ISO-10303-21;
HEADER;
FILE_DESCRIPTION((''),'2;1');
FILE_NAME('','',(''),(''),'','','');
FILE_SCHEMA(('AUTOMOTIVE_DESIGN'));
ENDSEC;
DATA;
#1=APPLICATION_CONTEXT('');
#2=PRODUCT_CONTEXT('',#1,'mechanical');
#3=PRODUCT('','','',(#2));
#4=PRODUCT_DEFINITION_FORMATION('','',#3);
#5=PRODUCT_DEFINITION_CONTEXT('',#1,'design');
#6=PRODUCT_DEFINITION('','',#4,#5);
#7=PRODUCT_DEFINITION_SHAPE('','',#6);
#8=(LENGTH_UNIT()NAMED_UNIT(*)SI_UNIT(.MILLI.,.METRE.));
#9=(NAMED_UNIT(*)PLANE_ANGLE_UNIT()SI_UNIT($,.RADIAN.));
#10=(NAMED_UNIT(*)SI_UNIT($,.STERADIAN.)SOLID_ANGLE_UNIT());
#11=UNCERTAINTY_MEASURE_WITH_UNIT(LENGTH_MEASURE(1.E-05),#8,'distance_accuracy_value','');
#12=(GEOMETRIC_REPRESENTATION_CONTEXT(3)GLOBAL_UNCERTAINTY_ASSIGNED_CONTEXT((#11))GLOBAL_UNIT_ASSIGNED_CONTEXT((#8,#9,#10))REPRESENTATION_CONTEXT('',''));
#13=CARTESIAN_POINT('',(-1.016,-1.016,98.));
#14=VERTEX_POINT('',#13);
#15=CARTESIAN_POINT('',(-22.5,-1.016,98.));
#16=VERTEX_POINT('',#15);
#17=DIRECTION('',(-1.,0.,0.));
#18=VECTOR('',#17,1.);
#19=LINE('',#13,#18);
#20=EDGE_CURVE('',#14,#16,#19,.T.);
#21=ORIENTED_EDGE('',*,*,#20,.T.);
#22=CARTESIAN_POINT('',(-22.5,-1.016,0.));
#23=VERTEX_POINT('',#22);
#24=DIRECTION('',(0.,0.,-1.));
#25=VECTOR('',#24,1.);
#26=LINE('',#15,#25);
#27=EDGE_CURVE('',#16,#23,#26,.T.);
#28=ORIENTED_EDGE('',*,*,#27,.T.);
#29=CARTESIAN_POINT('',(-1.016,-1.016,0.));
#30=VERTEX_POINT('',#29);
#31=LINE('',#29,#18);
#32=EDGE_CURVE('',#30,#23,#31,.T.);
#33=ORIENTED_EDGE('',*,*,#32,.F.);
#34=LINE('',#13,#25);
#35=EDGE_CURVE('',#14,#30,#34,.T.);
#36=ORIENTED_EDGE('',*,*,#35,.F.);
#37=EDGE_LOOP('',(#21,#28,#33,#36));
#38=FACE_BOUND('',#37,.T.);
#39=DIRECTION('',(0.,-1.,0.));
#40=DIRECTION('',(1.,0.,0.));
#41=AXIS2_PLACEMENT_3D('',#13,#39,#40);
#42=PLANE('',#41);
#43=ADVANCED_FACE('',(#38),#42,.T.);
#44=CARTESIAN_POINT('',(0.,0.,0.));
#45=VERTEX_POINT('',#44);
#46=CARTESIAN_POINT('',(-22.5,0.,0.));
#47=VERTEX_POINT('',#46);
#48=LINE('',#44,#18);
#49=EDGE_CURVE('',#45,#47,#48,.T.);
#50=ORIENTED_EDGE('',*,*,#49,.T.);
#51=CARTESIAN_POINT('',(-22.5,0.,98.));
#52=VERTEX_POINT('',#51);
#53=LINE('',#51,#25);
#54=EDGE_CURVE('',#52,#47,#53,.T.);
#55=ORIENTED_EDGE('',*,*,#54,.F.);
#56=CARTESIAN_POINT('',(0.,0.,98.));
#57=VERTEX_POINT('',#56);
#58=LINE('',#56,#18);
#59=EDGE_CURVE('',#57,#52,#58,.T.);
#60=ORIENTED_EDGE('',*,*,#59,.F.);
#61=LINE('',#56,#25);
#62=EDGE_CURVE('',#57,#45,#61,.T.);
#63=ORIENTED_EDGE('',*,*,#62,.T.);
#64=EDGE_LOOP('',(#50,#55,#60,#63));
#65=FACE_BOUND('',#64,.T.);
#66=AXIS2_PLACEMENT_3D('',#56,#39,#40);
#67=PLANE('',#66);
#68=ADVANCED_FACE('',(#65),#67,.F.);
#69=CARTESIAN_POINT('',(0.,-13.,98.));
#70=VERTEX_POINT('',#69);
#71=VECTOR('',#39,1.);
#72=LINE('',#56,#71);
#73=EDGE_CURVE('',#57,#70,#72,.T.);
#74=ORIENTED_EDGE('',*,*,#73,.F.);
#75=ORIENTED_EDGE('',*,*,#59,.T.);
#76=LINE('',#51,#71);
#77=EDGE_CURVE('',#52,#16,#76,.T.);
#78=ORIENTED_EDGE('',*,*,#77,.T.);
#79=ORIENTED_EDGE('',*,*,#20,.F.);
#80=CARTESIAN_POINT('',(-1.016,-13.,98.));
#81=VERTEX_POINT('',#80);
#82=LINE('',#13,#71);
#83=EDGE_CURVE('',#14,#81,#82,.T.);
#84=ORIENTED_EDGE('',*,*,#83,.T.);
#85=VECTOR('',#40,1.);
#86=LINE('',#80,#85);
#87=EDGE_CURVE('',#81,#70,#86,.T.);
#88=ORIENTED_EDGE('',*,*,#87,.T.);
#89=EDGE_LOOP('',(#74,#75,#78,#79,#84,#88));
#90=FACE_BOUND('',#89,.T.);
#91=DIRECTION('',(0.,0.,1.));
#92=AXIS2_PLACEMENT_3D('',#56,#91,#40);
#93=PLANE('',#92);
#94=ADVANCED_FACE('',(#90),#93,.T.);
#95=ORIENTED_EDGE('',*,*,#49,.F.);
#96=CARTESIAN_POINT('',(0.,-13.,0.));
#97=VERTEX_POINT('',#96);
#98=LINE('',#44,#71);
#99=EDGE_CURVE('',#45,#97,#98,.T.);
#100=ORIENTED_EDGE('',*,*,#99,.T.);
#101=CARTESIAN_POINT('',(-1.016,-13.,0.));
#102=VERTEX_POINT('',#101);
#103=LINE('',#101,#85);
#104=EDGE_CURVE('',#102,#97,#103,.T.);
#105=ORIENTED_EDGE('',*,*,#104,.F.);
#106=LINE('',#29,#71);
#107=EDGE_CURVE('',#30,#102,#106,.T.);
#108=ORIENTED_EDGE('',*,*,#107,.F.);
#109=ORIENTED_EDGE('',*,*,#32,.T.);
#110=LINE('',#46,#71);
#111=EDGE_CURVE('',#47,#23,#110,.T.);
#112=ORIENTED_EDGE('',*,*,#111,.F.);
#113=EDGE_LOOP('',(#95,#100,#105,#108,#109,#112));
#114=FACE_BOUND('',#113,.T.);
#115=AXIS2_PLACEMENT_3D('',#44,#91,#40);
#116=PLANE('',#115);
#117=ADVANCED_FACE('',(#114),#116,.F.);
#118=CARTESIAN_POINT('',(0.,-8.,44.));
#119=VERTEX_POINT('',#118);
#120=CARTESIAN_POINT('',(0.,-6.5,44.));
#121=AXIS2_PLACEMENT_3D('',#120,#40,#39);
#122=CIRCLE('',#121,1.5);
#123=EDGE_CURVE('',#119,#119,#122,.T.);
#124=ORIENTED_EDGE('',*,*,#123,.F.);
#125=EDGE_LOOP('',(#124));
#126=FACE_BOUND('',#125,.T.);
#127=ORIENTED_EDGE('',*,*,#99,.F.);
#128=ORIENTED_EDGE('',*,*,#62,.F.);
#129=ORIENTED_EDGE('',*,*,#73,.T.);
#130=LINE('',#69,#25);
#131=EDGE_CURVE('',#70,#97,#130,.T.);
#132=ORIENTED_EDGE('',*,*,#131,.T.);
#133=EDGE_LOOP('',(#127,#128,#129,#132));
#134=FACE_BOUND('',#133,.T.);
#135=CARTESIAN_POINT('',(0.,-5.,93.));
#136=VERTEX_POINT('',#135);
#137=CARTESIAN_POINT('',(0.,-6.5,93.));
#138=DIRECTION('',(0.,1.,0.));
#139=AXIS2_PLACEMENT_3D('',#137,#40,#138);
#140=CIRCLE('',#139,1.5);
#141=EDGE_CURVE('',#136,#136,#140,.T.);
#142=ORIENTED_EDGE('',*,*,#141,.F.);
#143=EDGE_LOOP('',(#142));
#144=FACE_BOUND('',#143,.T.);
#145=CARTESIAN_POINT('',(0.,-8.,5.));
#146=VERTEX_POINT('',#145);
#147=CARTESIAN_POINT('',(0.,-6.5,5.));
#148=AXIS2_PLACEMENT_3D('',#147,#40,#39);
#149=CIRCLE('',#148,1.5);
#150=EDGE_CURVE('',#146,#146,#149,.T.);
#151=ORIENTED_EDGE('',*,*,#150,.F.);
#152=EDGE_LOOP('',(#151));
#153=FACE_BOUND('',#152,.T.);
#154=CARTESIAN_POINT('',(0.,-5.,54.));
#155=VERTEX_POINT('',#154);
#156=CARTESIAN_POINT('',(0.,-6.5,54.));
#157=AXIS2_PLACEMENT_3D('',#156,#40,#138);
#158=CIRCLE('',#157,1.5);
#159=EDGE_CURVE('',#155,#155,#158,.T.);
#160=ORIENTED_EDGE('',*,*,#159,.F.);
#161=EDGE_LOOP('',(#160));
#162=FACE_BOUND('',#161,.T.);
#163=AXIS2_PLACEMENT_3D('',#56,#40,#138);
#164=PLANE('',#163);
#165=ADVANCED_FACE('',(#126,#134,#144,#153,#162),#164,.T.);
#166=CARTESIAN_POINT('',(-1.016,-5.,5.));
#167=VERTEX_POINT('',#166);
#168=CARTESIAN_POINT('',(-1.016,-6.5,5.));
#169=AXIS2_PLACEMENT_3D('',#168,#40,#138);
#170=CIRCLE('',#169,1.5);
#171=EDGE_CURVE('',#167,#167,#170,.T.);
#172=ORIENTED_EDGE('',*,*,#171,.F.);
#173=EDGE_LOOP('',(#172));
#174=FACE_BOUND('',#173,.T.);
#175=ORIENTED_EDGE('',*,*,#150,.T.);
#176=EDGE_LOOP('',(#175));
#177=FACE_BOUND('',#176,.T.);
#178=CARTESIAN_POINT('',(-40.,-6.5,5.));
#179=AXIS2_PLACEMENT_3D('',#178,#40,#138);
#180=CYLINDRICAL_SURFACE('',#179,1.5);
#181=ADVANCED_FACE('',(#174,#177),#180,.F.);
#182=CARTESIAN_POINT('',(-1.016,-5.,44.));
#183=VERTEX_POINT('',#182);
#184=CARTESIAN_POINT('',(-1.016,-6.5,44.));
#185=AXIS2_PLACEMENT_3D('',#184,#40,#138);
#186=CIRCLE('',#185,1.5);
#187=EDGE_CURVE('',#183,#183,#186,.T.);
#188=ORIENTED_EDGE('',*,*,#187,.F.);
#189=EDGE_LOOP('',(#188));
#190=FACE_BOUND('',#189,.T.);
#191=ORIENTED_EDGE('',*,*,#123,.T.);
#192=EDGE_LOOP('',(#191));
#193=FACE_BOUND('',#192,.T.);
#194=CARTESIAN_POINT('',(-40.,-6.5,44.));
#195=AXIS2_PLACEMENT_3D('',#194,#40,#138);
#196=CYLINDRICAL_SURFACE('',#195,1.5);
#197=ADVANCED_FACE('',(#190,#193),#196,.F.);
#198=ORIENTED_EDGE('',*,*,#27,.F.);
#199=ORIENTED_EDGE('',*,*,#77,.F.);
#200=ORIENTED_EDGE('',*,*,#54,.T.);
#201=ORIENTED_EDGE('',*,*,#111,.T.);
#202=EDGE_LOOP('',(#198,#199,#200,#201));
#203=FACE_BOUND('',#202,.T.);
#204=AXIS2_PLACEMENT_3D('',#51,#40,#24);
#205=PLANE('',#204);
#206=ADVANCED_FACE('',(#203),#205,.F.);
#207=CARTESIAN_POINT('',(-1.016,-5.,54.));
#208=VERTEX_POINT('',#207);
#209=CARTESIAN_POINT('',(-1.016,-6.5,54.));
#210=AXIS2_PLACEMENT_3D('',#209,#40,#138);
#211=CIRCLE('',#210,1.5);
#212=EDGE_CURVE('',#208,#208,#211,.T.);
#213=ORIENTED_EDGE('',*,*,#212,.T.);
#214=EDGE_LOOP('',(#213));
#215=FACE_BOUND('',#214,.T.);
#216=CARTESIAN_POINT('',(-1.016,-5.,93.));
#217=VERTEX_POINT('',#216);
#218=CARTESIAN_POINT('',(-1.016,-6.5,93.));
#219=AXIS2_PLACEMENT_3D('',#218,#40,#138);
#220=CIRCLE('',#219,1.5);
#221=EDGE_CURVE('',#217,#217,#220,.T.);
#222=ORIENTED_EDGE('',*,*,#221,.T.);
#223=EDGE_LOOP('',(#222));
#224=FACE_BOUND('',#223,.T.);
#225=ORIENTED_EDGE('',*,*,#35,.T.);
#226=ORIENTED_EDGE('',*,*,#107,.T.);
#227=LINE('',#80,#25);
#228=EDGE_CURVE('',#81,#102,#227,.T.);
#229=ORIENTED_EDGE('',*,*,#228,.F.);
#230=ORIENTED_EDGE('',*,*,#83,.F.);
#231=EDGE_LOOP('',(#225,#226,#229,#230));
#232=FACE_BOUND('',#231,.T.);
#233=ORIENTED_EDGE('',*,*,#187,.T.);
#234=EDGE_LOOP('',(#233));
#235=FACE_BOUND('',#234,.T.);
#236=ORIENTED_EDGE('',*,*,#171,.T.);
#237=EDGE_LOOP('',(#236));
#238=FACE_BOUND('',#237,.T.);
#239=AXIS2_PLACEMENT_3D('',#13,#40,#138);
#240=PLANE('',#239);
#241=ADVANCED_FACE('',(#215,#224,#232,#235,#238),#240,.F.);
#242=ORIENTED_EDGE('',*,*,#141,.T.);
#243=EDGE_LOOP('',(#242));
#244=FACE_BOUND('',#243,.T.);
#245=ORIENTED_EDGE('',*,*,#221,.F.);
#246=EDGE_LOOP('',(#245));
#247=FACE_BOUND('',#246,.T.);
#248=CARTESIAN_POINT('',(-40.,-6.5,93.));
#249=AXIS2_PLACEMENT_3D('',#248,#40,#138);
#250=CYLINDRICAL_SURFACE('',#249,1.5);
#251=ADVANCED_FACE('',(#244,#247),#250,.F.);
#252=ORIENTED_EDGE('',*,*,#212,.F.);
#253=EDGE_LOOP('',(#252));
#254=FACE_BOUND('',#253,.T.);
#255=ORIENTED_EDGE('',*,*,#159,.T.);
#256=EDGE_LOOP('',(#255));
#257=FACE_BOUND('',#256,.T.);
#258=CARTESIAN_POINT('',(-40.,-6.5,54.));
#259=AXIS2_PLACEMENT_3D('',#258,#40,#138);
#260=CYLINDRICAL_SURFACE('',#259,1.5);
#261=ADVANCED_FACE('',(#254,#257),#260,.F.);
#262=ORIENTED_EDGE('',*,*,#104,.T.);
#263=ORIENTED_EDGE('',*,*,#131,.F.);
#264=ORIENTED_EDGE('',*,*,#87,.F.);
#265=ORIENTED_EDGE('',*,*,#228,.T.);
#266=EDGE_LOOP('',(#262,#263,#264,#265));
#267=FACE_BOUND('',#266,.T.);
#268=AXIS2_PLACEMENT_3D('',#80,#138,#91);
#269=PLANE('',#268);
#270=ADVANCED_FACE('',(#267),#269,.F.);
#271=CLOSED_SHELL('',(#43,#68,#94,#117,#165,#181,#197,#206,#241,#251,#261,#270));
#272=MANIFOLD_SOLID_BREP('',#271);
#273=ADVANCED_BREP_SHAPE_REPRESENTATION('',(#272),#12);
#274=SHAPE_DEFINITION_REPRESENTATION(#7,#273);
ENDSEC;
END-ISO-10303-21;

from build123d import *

# Parameters (mm, degrees)
BOSS_EXTRUDE1_DEPTH = 98
SKETCH2_R           = 1.5
CUT_EXTRUDE1_DEPTH  = 40


with BuildPart() as part:
    # Sketch1 → Boss-Extrude1 (new body)
    with BuildSketch(Plane.XY):
        Polygon((0, 0), (-22.5, 0), (-22.5, -1.016), (-1.016, -1.016), (-1.016, -13), (0, -13), align=None)
    extrude(amount=BOSS_EXTRUDE1_DEPTH)

    # Sketch2 → Cut-Extrude1 (cut)
    with BuildSketch(Plane(origin=(0, 0, 0), x_dir=(0, 0, -1), z_dir=(1, 0, 0))):
        with Locations((-93, -6.5)):
            Circle(SKETCH2_R)
        with Locations((-54, -6.5)):
            Circle(SKETCH2_R)
        with Locations((-44, -6.5)):
            Circle(SKETCH2_R)
        with Locations((-5, -6.5)):
            Circle(SKETCH2_R)
    extrude(amount=-CUT_EXTRUDE1_DEPTH, mode=Mode.SUBTRACT)


solid = part.part
